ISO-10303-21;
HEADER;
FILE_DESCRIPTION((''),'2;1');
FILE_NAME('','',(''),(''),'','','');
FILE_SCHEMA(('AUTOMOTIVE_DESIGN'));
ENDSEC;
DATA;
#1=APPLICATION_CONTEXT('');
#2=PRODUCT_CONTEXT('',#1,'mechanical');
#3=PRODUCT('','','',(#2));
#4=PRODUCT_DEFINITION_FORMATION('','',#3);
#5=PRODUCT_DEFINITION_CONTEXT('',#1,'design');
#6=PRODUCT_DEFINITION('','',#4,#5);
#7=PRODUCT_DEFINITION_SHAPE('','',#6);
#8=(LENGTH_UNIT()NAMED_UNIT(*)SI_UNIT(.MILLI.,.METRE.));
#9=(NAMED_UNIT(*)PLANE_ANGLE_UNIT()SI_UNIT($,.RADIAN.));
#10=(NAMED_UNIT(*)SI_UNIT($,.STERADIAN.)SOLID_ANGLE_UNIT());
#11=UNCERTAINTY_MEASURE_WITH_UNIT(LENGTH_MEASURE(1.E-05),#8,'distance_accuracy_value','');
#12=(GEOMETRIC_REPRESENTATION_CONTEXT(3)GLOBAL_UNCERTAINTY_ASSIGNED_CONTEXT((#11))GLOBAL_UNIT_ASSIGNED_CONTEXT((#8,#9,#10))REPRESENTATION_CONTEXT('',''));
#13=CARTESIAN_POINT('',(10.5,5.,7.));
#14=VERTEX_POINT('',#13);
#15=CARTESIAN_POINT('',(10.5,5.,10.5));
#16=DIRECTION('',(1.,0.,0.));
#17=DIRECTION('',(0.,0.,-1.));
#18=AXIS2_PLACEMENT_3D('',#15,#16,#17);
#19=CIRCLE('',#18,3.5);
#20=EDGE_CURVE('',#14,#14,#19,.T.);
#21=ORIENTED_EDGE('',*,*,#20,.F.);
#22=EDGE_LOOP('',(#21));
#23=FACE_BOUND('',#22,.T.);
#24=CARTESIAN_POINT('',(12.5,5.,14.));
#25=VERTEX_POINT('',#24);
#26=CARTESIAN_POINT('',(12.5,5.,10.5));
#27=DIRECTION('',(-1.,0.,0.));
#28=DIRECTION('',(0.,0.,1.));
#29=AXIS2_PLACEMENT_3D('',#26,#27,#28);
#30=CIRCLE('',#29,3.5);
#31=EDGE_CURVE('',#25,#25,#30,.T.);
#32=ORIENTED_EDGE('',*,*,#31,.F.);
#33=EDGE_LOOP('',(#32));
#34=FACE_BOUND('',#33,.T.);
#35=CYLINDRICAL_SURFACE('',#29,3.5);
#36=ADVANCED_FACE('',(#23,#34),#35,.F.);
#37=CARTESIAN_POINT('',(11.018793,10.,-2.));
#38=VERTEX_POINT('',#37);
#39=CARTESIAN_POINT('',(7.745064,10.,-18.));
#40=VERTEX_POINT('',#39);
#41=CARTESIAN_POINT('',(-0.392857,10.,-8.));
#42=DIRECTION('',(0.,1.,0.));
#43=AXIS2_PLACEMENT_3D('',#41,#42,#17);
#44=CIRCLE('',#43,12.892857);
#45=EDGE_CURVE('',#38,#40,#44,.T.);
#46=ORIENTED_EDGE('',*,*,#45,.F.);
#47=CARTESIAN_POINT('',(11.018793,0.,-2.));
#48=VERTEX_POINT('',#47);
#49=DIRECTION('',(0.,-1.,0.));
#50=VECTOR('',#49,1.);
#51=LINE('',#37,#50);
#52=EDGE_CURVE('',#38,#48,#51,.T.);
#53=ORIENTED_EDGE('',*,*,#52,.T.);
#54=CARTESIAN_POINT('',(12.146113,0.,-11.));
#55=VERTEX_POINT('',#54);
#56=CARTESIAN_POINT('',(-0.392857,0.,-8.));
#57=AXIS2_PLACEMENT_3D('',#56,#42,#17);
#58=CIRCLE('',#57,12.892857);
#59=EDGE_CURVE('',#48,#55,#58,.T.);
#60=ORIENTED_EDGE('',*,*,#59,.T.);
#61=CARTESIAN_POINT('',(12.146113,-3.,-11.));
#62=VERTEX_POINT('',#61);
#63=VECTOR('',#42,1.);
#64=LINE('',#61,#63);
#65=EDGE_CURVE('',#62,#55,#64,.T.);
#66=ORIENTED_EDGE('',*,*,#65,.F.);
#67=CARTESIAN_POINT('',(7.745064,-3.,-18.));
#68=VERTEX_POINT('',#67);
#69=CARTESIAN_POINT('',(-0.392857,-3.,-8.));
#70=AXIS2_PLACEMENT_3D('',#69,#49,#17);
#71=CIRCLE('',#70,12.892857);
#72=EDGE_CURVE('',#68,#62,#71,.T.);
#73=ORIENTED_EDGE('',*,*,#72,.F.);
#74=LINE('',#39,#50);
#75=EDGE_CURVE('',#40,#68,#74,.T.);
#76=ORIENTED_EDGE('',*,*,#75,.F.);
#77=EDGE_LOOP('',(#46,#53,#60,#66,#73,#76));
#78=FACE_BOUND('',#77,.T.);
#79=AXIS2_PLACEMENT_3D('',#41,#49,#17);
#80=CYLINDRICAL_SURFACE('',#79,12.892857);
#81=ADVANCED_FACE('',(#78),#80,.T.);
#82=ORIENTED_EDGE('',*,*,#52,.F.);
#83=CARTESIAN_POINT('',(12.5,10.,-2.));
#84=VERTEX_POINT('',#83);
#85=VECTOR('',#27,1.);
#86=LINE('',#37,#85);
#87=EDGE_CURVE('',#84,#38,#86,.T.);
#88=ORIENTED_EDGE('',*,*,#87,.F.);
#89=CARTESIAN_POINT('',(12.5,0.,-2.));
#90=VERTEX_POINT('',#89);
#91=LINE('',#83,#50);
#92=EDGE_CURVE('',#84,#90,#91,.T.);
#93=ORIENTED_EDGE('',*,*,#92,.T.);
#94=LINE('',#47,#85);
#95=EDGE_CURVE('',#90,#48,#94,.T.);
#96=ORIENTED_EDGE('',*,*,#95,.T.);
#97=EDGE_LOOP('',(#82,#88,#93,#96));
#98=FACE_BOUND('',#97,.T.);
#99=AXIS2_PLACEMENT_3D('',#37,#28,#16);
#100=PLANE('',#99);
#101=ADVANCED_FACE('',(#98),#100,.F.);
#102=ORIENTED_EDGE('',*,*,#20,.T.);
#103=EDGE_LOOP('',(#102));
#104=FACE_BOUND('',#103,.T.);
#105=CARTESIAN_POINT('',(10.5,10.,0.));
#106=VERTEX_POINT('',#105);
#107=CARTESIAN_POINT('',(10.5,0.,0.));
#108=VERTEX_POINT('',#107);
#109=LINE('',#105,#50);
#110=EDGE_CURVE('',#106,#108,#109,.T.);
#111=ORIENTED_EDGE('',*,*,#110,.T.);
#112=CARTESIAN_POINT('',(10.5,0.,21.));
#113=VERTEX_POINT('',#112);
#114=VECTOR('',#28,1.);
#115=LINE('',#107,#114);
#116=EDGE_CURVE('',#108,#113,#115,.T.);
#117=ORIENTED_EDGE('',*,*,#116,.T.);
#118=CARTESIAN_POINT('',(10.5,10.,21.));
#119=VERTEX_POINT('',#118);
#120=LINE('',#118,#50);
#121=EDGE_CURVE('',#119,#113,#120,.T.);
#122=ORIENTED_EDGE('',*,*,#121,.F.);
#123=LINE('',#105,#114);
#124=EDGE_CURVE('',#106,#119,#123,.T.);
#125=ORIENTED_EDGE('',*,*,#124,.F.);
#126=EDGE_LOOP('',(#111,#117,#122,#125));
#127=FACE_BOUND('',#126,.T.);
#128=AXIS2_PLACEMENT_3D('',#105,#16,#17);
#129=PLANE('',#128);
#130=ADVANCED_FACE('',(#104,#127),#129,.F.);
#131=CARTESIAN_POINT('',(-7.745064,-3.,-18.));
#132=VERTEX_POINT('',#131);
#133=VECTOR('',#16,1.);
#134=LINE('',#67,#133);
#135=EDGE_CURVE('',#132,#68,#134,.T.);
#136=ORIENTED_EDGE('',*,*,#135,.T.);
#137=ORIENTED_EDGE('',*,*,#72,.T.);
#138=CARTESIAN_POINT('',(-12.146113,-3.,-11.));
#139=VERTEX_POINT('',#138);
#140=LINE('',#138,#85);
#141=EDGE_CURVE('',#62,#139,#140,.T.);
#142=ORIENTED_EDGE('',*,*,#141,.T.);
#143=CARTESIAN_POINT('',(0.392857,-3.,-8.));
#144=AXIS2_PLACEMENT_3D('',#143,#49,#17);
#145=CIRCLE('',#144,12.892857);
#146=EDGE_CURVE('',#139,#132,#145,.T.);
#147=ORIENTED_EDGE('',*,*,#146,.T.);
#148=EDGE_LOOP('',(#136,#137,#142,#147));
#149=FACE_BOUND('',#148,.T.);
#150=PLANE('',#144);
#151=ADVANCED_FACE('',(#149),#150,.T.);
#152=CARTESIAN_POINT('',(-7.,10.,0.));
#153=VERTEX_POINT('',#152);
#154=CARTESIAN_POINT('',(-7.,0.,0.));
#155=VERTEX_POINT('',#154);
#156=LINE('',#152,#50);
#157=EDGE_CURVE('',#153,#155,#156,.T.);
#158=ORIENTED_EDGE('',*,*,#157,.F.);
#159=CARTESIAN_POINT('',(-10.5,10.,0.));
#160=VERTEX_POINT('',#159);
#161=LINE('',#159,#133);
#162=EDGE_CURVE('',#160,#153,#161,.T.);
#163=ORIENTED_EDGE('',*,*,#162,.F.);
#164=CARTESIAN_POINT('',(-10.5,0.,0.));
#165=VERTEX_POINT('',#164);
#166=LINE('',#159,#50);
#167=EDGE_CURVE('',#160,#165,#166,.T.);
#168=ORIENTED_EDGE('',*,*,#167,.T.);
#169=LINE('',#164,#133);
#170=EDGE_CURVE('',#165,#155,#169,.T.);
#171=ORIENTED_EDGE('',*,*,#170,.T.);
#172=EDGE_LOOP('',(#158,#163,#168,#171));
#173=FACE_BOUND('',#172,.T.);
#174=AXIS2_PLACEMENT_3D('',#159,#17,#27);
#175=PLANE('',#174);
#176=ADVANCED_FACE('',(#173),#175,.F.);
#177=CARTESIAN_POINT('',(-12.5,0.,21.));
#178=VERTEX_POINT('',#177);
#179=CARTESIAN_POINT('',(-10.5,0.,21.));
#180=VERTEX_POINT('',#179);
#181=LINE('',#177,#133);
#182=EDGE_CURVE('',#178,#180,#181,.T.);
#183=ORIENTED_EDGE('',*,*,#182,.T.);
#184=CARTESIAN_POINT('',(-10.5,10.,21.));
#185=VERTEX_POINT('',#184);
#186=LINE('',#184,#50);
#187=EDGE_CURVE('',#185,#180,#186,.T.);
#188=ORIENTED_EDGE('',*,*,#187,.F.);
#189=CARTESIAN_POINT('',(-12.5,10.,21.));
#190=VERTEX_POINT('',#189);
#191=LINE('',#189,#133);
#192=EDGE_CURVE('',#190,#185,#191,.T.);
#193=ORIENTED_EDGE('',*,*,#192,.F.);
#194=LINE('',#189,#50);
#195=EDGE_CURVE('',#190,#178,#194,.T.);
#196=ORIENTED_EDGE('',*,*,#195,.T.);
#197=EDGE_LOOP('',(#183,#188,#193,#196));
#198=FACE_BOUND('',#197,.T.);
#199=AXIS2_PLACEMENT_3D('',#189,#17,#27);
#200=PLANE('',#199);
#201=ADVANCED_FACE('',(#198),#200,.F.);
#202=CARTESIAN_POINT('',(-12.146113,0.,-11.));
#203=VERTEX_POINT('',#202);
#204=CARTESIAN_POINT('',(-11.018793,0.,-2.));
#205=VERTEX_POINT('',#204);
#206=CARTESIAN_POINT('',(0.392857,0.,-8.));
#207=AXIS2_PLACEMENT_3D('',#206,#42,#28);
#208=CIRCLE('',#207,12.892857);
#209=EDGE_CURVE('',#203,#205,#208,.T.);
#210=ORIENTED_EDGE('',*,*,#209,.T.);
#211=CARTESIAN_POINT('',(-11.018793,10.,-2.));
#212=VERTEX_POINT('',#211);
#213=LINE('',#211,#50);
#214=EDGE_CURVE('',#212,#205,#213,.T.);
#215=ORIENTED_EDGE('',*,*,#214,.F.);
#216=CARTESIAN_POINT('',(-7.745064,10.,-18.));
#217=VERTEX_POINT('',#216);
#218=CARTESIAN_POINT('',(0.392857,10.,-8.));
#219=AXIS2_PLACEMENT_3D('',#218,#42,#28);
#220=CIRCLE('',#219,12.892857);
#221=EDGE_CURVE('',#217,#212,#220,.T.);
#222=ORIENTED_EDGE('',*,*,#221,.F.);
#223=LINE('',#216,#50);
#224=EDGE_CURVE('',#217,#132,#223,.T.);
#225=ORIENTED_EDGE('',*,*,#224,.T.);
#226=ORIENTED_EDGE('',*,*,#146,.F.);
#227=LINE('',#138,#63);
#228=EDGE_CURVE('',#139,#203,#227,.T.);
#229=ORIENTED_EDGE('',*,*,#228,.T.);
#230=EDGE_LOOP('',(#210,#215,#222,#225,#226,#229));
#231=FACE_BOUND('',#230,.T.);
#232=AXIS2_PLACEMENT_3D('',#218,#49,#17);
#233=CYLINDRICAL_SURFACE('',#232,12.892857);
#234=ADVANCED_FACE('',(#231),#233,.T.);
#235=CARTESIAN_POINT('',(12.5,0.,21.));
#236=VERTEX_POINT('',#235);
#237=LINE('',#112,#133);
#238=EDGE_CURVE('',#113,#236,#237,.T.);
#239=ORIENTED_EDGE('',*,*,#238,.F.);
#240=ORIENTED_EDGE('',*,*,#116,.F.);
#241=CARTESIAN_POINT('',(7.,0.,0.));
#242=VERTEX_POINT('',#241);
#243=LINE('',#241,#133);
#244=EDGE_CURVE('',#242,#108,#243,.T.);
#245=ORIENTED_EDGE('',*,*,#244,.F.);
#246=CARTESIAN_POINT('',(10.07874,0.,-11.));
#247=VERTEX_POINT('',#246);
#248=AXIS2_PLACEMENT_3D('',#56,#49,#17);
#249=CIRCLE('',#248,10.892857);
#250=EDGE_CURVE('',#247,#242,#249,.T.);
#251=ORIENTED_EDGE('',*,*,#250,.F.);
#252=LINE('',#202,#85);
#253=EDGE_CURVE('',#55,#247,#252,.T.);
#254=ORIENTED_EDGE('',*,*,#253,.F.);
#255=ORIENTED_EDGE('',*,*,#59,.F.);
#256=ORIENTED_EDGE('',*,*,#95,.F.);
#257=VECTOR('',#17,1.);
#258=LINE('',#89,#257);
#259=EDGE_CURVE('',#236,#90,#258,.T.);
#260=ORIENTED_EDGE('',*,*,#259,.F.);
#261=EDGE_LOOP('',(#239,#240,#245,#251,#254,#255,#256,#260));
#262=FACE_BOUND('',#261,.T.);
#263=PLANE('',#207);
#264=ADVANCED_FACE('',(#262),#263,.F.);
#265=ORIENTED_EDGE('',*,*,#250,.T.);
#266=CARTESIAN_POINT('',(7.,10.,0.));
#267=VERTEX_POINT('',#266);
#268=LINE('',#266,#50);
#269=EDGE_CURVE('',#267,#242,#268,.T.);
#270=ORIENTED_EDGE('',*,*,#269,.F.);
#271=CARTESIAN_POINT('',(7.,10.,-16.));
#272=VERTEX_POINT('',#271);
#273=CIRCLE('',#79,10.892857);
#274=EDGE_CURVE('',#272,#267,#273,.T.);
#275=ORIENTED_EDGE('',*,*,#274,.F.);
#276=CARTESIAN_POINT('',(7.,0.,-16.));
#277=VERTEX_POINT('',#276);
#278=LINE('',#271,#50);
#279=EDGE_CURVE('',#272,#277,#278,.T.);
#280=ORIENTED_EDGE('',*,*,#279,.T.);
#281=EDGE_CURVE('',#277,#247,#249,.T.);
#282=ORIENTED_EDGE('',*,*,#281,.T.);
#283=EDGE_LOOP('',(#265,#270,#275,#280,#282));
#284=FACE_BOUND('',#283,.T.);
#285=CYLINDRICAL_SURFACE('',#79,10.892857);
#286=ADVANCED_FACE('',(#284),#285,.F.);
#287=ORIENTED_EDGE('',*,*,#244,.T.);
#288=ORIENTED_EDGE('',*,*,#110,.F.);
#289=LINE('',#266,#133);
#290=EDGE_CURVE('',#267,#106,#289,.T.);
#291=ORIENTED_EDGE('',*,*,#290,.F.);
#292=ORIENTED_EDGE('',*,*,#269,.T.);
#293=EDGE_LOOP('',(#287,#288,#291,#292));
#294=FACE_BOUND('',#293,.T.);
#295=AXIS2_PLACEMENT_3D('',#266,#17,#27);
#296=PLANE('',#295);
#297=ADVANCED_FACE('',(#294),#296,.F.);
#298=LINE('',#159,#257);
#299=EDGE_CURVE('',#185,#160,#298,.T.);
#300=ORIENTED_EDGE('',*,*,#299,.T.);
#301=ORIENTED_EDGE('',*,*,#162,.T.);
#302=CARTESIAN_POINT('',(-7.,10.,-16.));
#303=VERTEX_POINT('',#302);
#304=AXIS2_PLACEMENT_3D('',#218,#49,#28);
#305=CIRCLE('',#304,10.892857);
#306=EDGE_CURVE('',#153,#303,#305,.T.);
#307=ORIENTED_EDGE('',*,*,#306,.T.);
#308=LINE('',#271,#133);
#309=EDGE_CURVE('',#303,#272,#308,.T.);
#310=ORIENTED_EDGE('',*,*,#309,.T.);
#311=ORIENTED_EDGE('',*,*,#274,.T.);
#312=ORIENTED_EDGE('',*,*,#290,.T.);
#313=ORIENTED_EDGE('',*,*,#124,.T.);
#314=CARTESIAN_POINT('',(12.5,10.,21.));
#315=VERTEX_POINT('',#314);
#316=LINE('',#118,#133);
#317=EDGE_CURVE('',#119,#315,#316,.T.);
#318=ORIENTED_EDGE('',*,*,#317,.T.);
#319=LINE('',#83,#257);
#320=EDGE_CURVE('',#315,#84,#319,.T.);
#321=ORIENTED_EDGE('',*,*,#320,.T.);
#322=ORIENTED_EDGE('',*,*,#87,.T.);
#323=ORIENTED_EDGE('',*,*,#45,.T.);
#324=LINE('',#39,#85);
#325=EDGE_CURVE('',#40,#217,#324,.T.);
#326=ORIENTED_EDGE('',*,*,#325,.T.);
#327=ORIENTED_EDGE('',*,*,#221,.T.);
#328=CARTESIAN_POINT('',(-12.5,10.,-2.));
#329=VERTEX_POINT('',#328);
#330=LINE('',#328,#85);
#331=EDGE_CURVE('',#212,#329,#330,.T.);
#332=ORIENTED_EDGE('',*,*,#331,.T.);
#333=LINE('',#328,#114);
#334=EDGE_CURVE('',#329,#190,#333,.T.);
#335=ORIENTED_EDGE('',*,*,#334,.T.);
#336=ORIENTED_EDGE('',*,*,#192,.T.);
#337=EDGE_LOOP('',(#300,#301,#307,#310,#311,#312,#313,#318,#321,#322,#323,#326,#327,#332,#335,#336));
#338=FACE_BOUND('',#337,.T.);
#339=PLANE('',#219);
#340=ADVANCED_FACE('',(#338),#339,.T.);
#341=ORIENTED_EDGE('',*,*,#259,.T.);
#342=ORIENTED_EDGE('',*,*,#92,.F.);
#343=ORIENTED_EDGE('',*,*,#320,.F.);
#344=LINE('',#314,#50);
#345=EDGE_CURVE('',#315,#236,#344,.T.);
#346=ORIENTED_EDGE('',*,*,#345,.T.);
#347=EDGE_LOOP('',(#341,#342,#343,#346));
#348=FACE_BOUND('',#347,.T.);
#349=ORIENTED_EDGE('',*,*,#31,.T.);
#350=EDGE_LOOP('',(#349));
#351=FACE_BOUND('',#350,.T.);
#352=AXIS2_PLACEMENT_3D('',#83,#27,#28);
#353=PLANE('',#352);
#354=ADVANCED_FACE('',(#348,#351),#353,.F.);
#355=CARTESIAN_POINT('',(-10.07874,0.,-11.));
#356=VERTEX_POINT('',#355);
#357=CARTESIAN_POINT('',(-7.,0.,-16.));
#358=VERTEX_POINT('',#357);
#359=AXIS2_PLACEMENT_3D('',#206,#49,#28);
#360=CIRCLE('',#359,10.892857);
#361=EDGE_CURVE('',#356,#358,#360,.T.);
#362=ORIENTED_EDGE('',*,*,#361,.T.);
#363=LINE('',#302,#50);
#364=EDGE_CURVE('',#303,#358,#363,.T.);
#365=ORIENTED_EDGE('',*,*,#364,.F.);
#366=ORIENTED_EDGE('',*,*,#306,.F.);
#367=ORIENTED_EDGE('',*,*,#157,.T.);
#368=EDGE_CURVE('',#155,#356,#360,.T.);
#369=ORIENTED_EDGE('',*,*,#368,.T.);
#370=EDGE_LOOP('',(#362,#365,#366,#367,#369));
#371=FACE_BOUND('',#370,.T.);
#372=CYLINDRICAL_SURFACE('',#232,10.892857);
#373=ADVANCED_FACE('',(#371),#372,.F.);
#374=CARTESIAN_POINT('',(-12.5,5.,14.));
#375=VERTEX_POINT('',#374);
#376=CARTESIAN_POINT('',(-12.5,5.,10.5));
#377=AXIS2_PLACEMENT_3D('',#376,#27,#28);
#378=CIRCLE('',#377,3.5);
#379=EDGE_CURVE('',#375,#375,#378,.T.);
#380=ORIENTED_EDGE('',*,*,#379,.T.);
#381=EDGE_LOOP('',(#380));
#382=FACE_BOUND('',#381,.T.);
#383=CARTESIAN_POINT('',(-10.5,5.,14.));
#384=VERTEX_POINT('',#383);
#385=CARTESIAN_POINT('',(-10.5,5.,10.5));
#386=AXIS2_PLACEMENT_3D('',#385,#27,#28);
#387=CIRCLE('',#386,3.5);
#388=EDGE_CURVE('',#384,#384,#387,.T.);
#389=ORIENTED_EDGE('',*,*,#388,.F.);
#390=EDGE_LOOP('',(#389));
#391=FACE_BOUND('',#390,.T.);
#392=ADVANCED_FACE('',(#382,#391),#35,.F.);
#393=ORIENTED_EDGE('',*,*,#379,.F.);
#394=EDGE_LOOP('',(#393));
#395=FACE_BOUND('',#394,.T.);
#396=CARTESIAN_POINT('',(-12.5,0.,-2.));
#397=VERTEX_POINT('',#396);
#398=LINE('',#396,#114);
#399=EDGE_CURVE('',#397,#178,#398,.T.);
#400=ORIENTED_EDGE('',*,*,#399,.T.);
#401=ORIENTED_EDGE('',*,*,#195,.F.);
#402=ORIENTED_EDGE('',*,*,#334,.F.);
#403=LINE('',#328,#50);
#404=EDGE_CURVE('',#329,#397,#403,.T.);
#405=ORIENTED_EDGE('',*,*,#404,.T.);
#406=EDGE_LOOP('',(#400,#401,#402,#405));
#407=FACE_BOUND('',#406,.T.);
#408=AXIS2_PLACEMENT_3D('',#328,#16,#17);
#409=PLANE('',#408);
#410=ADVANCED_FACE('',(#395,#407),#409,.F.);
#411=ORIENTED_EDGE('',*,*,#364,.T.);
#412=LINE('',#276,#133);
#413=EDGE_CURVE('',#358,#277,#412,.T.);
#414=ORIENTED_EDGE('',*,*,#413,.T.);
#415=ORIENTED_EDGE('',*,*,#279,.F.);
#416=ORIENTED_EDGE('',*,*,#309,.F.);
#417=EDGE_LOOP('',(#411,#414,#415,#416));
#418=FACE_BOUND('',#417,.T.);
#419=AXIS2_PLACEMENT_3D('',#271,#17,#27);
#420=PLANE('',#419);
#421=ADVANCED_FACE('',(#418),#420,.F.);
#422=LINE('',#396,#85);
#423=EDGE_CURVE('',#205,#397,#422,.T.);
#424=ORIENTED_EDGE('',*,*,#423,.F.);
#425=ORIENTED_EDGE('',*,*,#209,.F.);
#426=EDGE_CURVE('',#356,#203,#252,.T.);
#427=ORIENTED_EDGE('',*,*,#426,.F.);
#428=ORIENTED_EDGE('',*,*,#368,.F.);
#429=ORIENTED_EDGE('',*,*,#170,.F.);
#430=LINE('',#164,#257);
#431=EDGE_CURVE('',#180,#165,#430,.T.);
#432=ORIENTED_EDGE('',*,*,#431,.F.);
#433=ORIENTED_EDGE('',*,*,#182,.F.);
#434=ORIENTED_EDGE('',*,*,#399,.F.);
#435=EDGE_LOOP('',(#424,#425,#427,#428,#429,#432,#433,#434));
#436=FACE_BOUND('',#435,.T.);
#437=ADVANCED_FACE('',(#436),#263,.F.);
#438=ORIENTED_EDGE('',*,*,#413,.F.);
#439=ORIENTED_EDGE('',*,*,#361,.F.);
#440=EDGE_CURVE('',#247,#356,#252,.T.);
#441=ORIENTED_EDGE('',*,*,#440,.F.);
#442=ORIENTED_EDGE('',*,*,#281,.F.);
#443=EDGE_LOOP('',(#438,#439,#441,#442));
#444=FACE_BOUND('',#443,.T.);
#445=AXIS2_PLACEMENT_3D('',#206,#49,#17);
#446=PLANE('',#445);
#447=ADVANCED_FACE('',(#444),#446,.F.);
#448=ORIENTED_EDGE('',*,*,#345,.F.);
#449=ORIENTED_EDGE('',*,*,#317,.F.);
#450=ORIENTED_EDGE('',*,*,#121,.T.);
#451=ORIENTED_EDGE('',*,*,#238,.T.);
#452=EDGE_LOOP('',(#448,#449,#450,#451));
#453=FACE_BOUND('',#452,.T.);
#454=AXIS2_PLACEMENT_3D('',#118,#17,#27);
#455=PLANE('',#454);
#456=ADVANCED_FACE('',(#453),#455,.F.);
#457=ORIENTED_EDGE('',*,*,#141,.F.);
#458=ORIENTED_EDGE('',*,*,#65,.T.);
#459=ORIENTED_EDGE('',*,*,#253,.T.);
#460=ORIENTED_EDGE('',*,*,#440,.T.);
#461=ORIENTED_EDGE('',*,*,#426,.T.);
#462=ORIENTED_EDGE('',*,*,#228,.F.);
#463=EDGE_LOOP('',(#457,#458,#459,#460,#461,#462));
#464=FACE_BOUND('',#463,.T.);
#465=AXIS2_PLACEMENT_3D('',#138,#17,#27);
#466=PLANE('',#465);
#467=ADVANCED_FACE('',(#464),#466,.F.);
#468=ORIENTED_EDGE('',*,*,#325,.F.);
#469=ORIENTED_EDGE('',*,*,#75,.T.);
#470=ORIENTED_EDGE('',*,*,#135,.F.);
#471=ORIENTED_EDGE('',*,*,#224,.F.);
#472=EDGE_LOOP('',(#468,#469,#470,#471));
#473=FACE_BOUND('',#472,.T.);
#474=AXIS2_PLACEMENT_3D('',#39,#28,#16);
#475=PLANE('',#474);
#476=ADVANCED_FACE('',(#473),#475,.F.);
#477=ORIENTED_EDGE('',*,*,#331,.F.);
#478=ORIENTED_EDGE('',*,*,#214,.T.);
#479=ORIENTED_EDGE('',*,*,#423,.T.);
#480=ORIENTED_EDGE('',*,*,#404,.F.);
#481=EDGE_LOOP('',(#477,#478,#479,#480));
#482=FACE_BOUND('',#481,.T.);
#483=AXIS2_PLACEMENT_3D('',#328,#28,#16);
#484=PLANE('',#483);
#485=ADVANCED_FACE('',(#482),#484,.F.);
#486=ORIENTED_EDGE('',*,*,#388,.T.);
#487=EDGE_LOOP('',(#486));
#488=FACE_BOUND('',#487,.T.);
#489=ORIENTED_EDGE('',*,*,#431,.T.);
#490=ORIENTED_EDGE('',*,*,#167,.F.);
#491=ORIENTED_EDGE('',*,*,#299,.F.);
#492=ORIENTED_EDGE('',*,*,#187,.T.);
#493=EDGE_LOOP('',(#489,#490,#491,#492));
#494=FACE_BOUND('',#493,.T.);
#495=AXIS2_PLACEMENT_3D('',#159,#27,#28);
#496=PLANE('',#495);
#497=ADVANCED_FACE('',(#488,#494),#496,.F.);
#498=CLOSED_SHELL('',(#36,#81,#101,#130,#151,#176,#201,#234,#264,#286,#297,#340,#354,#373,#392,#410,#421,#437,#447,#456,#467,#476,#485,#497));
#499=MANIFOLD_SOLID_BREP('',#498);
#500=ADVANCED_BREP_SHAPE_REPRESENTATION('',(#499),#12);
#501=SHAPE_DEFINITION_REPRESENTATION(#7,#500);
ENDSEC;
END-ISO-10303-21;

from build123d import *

# Parameters (mm, degrees)
BOSS_EXTRUDE1_DEPTH = 10
SKETCH2_R           = 3.5
CUT_EXTRUDE1_DEPTH  = 26
BOSS_EXTRUDE2_DEPTH = 3


with BuildPart() as part:
    # Sketch1 → Boss-Extrude1 (new body)
    with BuildSketch(Plane(origin=(0, 0, 0), x_dir=(1, 0, 0), z_dir=(0, 1, 0))):
        with BuildLine():
            Line((7, 16), (-7, 16))
            ThreePointArc((-7, 16), (-10.5, 8), (-7, 0))
            Line((-7, 0), (-10.5, 0))
            Line((-10.5, 0), (-10.5, -21))
            Line((-10.5, -21), (-12.5, -21))
            Line((-12.5, -21), (-12.5, 2))
            Line((-12.5, 2), (-11.018793277, 2))
            ThreePointArc((-11.018793277, 2), (-12.238312239, 10.584439081), (-7.745064294, 18))
            Line((-7.745064294, 18), (7.745064294, 18))
            ThreePointArc((7.745064294, 18), (12.238312239, 10.584439081), (11.018793277, 2))
            Line((11.018793277, 2), (12.5, 2))
            Line((12.5, 2), (12.5, -21))
            Line((12.5, -21), (10.5, -21))
            Line((10.5, -21), (10.5, 0))
            Line((10.5, 0), (7, 0))
            ThreePointArc((7, 0), (10.5, 8), (7, 16))
        make_face()
    extrude(amount=BOSS_EXTRUDE1_DEPTH)

    # Sketch2 → Cut-Extrude1 (cut, through all)
    with BuildSketch(Plane.ZY.offset(12.5)):
        with Locations((10.5, 5)):
            Circle(SKETCH2_R)
    extrude(amount=-CUT_EXTRUDE1_DEPTH, mode=Mode.SUBTRACT)

    # Sketch3 → Boss-Extrude2 (add)
    with BuildSketch(Plane.XZ):
        with BuildLine():
            Line((-12.146112723, -11), (12.146112723, -11))
            ThreePointArc((12.146112723, -11), (10.521970317, -14.862383465), (7.745064294, -18))
            Line((7.745064294, -18), (-7.745064294, -18))
            ThreePointArc((-7.745064294, -18), (-10.521970317, -14.862383465), (-12.146112723, -11))
        make_face()
    extrude(amount=BOSS_EXTRUDE2_DEPTH)


solid = part.part
